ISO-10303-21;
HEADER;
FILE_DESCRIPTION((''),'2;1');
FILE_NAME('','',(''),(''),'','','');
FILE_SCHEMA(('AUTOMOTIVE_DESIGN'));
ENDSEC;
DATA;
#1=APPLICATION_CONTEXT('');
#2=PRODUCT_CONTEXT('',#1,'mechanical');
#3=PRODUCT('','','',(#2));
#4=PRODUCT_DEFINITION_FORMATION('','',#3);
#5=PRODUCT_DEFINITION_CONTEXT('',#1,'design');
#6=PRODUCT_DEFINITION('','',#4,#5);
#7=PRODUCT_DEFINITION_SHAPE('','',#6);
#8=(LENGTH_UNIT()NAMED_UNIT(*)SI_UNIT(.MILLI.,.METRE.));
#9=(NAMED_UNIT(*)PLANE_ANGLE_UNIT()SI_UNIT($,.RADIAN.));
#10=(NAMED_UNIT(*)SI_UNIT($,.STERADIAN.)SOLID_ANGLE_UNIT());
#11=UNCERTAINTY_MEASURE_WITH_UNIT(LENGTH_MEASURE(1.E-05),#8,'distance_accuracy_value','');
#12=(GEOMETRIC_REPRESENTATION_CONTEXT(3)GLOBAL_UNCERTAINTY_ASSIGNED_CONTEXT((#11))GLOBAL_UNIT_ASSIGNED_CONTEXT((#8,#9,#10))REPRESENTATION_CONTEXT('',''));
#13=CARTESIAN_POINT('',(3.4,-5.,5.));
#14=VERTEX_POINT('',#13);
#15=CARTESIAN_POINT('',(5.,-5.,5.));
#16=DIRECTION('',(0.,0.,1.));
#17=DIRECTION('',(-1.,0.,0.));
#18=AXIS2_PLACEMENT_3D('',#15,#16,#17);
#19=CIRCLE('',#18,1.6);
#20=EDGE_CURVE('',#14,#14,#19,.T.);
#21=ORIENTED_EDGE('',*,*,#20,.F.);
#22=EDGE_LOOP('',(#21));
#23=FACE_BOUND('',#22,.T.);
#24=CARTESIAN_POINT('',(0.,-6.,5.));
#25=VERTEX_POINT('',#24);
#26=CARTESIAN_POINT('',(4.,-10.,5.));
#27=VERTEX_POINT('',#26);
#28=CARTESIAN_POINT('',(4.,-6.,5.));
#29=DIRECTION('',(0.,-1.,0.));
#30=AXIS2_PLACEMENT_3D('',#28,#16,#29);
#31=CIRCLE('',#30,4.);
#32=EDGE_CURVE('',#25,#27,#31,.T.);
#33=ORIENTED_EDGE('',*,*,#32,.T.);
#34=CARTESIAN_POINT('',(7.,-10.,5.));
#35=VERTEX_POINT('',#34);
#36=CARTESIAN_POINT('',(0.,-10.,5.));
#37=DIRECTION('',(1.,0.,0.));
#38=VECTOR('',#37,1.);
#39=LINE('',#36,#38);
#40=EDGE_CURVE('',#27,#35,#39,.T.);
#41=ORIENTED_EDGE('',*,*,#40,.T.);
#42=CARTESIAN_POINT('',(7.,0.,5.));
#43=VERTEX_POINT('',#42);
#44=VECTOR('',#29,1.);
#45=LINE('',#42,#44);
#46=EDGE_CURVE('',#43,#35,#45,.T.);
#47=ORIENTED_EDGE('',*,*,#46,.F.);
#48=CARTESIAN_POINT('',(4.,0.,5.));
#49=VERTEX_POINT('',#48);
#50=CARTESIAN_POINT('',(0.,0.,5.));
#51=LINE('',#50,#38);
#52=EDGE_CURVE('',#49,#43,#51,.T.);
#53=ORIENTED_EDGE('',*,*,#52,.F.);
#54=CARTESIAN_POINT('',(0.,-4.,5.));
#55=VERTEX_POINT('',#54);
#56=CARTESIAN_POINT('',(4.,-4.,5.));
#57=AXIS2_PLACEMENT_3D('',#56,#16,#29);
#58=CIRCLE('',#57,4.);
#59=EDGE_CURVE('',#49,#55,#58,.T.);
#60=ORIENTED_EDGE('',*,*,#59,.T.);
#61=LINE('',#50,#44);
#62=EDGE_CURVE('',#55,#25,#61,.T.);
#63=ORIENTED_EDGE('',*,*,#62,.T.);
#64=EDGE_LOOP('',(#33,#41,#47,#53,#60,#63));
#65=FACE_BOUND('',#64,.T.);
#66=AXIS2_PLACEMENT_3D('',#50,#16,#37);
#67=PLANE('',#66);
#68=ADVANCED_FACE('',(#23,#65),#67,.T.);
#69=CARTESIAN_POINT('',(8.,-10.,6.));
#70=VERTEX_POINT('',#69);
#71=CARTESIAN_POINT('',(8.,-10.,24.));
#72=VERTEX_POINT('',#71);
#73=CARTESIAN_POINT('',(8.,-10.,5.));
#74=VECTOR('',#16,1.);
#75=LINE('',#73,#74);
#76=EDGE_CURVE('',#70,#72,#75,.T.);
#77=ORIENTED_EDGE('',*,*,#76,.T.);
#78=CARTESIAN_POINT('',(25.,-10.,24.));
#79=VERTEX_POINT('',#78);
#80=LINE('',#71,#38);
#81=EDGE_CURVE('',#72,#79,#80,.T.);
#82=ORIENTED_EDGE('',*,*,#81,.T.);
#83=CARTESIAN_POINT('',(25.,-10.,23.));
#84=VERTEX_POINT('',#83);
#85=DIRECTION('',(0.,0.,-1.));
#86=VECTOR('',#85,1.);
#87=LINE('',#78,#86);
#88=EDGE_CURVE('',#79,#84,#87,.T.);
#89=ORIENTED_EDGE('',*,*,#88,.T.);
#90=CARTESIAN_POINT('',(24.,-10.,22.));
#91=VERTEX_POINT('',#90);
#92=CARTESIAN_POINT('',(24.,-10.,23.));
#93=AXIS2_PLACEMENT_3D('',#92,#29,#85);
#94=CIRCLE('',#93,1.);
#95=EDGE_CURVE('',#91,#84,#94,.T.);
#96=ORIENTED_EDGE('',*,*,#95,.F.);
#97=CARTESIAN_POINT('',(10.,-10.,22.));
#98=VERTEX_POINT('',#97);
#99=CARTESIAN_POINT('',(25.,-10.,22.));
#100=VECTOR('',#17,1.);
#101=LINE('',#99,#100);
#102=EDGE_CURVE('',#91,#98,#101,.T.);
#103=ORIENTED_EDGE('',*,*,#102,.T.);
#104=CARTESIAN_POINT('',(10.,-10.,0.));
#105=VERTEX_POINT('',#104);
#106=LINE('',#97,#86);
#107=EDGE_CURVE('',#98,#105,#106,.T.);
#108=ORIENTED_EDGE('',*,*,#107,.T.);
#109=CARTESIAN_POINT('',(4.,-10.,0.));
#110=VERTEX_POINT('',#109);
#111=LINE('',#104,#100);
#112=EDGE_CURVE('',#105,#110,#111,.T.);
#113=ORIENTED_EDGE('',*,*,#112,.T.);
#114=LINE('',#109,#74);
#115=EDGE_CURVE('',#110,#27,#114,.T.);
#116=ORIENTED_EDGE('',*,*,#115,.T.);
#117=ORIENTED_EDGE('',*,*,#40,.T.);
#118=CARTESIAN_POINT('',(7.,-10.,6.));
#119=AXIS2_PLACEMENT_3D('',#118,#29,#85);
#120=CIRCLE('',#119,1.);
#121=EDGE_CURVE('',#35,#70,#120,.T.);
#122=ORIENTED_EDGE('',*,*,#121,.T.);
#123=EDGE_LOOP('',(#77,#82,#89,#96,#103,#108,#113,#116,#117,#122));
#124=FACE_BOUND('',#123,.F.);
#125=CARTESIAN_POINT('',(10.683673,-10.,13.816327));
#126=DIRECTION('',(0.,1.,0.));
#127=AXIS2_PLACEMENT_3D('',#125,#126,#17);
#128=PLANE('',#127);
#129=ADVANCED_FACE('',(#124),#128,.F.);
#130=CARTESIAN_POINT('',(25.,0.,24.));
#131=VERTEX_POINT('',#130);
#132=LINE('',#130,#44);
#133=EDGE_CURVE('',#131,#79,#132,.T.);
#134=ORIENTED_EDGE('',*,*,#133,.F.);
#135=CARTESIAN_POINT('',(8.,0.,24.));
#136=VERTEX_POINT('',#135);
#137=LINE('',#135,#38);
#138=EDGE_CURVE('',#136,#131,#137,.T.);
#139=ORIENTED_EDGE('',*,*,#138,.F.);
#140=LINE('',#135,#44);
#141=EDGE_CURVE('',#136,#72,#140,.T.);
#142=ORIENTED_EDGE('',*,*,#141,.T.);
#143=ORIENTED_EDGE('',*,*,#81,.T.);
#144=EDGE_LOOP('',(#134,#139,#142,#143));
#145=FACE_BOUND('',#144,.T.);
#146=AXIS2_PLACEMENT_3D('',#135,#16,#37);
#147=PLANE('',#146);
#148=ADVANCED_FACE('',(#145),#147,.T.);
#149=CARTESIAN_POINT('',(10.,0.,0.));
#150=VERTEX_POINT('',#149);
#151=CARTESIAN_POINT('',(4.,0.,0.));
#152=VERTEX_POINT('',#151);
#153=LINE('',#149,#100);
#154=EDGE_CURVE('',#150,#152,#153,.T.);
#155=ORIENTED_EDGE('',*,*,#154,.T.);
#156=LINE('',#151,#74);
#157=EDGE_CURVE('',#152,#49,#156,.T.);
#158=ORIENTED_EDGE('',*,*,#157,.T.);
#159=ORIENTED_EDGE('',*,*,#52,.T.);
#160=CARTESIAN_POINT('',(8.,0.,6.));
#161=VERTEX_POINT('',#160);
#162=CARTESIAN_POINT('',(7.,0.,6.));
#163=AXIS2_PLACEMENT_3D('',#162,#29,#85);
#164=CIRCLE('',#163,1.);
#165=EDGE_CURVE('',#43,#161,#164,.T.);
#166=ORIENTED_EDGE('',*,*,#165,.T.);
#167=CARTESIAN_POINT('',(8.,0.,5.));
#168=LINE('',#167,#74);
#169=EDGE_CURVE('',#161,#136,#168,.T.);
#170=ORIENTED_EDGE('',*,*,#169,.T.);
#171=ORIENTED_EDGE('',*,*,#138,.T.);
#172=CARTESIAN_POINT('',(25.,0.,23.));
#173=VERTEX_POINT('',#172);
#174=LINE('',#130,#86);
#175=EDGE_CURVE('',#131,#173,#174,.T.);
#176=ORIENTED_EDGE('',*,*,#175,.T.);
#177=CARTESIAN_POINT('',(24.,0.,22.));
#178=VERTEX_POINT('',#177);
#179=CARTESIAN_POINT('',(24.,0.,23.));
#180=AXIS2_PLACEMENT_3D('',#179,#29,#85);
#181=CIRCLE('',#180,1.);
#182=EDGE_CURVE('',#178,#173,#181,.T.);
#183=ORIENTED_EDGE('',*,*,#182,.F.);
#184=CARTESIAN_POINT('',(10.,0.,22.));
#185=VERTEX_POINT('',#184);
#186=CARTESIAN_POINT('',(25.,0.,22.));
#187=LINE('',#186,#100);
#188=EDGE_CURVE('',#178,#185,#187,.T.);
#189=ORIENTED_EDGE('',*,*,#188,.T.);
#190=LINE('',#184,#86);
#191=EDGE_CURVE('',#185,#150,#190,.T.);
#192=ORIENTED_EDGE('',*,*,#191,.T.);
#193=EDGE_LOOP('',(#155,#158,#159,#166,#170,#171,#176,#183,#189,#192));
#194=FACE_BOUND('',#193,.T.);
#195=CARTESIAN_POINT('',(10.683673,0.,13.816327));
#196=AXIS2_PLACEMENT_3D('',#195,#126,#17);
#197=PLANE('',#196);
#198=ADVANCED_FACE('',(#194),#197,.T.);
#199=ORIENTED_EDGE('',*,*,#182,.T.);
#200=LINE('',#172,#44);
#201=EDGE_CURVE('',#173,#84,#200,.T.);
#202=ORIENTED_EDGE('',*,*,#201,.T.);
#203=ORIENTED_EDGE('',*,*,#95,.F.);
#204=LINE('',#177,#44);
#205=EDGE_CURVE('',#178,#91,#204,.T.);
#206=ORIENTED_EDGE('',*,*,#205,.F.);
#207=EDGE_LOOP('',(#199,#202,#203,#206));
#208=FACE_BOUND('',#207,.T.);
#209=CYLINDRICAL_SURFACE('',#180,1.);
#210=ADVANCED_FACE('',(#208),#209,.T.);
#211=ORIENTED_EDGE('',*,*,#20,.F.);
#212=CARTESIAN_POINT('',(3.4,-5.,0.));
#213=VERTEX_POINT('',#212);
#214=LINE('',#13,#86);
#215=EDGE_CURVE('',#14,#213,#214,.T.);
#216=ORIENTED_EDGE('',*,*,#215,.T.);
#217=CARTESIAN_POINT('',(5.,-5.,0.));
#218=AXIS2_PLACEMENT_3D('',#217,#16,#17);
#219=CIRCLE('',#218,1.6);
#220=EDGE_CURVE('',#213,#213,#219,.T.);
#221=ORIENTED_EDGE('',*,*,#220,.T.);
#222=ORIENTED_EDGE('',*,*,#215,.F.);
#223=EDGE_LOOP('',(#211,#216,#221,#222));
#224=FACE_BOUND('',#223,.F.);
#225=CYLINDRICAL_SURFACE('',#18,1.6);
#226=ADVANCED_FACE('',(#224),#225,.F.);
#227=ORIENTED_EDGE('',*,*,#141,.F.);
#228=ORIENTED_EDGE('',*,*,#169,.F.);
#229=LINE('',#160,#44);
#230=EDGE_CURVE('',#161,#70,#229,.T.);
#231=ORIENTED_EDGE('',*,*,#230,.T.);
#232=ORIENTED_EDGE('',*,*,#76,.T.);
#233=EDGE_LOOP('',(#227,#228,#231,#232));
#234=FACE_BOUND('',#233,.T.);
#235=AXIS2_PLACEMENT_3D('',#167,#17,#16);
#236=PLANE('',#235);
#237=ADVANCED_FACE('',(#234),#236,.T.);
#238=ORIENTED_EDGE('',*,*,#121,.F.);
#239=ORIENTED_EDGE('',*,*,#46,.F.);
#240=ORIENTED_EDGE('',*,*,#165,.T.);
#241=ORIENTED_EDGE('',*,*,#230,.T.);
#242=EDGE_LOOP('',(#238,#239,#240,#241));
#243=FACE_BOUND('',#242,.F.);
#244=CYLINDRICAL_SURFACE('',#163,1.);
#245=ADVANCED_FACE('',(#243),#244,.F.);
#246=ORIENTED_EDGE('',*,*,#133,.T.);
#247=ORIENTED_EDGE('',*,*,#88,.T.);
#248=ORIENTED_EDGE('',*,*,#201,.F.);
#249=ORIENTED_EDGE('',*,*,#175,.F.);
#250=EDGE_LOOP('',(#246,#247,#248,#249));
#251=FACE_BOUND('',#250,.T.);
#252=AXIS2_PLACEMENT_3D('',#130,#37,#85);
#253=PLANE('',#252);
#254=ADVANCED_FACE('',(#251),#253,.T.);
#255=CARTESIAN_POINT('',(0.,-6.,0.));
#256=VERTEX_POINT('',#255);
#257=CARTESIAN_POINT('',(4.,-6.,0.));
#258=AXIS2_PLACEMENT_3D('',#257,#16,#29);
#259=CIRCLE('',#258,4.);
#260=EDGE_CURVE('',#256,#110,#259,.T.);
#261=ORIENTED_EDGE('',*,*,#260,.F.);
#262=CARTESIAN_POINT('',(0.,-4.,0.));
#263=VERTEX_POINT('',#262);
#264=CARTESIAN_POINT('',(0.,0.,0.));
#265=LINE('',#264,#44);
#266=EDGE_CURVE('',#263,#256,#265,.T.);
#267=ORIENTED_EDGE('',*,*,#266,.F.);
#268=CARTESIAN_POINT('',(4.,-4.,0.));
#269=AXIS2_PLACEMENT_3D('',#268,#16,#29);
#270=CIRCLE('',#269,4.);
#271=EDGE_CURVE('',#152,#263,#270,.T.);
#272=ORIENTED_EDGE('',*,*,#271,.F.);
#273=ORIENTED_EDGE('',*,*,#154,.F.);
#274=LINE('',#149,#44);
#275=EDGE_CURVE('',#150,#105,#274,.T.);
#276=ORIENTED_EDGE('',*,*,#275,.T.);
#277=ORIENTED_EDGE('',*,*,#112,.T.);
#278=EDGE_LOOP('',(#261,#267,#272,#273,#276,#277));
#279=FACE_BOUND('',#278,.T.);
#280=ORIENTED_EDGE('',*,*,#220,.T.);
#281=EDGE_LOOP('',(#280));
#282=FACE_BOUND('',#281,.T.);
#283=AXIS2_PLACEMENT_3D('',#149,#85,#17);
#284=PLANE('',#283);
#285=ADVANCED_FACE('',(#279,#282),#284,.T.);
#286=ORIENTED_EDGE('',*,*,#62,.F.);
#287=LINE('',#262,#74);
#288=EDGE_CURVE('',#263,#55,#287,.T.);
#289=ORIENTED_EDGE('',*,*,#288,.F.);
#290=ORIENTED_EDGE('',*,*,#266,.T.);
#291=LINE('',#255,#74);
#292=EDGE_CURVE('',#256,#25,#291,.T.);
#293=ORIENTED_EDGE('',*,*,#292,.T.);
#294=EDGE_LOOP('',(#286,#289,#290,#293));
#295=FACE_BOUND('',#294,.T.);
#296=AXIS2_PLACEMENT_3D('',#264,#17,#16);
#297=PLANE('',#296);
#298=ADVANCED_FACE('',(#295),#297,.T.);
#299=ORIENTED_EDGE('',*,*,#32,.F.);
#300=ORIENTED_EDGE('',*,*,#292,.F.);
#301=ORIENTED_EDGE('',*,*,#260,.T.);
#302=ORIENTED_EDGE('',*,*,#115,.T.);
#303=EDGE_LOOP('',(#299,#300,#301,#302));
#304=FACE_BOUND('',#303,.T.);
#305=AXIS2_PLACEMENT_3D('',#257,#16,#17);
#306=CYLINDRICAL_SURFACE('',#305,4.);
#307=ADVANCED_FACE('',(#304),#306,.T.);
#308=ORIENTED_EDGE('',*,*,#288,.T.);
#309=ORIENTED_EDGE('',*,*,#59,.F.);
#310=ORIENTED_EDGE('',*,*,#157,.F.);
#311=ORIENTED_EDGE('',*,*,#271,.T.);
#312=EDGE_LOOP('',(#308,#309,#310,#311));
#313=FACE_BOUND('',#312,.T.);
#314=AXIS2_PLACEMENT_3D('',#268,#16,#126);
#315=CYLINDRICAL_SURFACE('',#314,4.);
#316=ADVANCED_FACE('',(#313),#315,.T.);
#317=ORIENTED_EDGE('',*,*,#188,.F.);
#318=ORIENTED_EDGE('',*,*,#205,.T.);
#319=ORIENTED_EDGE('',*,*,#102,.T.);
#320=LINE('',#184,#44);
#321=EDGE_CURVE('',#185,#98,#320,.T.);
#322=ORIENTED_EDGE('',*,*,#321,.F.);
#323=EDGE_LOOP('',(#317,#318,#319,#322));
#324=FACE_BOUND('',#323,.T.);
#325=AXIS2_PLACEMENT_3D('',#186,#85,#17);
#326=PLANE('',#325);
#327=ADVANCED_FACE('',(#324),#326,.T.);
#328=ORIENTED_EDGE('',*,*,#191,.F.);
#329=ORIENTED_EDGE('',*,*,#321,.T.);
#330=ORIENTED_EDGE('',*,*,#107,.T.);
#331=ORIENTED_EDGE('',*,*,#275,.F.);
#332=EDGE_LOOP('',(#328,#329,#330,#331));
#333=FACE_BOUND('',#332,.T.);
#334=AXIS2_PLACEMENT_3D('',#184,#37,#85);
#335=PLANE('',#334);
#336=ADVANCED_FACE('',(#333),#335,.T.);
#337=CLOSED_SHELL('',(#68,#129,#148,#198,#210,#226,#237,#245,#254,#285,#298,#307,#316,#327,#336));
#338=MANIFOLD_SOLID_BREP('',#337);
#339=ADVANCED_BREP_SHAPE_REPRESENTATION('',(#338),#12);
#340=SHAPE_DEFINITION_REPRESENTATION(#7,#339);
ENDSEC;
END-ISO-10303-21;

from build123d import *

# Parameters (mm, degrees)
PAD_DEPTH    = 10
SKETCH001_R  = 1.6
POCKET_DEPTH = 5
FILLET_R     = 1
FILLET001_R  = 4
FILLET002_R  = 1


with BuildPart() as part:
    # Sketch → Pad (new body)
    with BuildSketch(Plane.XZ):
        Polygon((0, 0), (0, 5), (8, 5), (8, 24), (25, 24), (25, 22), (10, 22), (10, 0), align=None)
    extrude(amount=PAD_DEPTH)

    # Sketch001 (on Face2 of Pad) → Pocket (cut)
    with BuildSketch(Plane(origin=(0, 0, 5), x_dir=(-1, 0, 0), z_dir=(0, 0, 1))):
        with Locations((-5, 5)):
            Circle(SKETCH001_R)
    extrude(amount=-POCKET_DEPTH, mode=Mode.SUBTRACT)

    # Fillet
    fillet_edges = [part.edges().sort_by_distance(p)[0] for p in [
        (8, -5, 5),
    ]]
    fillet(fillet_edges, radius=FILLET_R)

    # Fillet001
    fillet001_edges = [part.edges().sort_by_distance(p)[0] for p in [
        (0, 0, 2.5),
        (0, -10, 2.5),
    ]]
    fillet(fillet001_edges, radius=FILLET001_R)

    # Fillet002
    fillet002_edges = [part.edges().sort_by_distance(p)[0] for p in [
        (25, -5, 22),
    ]]
    fillet(fillet002_edges, radius=FILLET002_R)


solid = part.part
